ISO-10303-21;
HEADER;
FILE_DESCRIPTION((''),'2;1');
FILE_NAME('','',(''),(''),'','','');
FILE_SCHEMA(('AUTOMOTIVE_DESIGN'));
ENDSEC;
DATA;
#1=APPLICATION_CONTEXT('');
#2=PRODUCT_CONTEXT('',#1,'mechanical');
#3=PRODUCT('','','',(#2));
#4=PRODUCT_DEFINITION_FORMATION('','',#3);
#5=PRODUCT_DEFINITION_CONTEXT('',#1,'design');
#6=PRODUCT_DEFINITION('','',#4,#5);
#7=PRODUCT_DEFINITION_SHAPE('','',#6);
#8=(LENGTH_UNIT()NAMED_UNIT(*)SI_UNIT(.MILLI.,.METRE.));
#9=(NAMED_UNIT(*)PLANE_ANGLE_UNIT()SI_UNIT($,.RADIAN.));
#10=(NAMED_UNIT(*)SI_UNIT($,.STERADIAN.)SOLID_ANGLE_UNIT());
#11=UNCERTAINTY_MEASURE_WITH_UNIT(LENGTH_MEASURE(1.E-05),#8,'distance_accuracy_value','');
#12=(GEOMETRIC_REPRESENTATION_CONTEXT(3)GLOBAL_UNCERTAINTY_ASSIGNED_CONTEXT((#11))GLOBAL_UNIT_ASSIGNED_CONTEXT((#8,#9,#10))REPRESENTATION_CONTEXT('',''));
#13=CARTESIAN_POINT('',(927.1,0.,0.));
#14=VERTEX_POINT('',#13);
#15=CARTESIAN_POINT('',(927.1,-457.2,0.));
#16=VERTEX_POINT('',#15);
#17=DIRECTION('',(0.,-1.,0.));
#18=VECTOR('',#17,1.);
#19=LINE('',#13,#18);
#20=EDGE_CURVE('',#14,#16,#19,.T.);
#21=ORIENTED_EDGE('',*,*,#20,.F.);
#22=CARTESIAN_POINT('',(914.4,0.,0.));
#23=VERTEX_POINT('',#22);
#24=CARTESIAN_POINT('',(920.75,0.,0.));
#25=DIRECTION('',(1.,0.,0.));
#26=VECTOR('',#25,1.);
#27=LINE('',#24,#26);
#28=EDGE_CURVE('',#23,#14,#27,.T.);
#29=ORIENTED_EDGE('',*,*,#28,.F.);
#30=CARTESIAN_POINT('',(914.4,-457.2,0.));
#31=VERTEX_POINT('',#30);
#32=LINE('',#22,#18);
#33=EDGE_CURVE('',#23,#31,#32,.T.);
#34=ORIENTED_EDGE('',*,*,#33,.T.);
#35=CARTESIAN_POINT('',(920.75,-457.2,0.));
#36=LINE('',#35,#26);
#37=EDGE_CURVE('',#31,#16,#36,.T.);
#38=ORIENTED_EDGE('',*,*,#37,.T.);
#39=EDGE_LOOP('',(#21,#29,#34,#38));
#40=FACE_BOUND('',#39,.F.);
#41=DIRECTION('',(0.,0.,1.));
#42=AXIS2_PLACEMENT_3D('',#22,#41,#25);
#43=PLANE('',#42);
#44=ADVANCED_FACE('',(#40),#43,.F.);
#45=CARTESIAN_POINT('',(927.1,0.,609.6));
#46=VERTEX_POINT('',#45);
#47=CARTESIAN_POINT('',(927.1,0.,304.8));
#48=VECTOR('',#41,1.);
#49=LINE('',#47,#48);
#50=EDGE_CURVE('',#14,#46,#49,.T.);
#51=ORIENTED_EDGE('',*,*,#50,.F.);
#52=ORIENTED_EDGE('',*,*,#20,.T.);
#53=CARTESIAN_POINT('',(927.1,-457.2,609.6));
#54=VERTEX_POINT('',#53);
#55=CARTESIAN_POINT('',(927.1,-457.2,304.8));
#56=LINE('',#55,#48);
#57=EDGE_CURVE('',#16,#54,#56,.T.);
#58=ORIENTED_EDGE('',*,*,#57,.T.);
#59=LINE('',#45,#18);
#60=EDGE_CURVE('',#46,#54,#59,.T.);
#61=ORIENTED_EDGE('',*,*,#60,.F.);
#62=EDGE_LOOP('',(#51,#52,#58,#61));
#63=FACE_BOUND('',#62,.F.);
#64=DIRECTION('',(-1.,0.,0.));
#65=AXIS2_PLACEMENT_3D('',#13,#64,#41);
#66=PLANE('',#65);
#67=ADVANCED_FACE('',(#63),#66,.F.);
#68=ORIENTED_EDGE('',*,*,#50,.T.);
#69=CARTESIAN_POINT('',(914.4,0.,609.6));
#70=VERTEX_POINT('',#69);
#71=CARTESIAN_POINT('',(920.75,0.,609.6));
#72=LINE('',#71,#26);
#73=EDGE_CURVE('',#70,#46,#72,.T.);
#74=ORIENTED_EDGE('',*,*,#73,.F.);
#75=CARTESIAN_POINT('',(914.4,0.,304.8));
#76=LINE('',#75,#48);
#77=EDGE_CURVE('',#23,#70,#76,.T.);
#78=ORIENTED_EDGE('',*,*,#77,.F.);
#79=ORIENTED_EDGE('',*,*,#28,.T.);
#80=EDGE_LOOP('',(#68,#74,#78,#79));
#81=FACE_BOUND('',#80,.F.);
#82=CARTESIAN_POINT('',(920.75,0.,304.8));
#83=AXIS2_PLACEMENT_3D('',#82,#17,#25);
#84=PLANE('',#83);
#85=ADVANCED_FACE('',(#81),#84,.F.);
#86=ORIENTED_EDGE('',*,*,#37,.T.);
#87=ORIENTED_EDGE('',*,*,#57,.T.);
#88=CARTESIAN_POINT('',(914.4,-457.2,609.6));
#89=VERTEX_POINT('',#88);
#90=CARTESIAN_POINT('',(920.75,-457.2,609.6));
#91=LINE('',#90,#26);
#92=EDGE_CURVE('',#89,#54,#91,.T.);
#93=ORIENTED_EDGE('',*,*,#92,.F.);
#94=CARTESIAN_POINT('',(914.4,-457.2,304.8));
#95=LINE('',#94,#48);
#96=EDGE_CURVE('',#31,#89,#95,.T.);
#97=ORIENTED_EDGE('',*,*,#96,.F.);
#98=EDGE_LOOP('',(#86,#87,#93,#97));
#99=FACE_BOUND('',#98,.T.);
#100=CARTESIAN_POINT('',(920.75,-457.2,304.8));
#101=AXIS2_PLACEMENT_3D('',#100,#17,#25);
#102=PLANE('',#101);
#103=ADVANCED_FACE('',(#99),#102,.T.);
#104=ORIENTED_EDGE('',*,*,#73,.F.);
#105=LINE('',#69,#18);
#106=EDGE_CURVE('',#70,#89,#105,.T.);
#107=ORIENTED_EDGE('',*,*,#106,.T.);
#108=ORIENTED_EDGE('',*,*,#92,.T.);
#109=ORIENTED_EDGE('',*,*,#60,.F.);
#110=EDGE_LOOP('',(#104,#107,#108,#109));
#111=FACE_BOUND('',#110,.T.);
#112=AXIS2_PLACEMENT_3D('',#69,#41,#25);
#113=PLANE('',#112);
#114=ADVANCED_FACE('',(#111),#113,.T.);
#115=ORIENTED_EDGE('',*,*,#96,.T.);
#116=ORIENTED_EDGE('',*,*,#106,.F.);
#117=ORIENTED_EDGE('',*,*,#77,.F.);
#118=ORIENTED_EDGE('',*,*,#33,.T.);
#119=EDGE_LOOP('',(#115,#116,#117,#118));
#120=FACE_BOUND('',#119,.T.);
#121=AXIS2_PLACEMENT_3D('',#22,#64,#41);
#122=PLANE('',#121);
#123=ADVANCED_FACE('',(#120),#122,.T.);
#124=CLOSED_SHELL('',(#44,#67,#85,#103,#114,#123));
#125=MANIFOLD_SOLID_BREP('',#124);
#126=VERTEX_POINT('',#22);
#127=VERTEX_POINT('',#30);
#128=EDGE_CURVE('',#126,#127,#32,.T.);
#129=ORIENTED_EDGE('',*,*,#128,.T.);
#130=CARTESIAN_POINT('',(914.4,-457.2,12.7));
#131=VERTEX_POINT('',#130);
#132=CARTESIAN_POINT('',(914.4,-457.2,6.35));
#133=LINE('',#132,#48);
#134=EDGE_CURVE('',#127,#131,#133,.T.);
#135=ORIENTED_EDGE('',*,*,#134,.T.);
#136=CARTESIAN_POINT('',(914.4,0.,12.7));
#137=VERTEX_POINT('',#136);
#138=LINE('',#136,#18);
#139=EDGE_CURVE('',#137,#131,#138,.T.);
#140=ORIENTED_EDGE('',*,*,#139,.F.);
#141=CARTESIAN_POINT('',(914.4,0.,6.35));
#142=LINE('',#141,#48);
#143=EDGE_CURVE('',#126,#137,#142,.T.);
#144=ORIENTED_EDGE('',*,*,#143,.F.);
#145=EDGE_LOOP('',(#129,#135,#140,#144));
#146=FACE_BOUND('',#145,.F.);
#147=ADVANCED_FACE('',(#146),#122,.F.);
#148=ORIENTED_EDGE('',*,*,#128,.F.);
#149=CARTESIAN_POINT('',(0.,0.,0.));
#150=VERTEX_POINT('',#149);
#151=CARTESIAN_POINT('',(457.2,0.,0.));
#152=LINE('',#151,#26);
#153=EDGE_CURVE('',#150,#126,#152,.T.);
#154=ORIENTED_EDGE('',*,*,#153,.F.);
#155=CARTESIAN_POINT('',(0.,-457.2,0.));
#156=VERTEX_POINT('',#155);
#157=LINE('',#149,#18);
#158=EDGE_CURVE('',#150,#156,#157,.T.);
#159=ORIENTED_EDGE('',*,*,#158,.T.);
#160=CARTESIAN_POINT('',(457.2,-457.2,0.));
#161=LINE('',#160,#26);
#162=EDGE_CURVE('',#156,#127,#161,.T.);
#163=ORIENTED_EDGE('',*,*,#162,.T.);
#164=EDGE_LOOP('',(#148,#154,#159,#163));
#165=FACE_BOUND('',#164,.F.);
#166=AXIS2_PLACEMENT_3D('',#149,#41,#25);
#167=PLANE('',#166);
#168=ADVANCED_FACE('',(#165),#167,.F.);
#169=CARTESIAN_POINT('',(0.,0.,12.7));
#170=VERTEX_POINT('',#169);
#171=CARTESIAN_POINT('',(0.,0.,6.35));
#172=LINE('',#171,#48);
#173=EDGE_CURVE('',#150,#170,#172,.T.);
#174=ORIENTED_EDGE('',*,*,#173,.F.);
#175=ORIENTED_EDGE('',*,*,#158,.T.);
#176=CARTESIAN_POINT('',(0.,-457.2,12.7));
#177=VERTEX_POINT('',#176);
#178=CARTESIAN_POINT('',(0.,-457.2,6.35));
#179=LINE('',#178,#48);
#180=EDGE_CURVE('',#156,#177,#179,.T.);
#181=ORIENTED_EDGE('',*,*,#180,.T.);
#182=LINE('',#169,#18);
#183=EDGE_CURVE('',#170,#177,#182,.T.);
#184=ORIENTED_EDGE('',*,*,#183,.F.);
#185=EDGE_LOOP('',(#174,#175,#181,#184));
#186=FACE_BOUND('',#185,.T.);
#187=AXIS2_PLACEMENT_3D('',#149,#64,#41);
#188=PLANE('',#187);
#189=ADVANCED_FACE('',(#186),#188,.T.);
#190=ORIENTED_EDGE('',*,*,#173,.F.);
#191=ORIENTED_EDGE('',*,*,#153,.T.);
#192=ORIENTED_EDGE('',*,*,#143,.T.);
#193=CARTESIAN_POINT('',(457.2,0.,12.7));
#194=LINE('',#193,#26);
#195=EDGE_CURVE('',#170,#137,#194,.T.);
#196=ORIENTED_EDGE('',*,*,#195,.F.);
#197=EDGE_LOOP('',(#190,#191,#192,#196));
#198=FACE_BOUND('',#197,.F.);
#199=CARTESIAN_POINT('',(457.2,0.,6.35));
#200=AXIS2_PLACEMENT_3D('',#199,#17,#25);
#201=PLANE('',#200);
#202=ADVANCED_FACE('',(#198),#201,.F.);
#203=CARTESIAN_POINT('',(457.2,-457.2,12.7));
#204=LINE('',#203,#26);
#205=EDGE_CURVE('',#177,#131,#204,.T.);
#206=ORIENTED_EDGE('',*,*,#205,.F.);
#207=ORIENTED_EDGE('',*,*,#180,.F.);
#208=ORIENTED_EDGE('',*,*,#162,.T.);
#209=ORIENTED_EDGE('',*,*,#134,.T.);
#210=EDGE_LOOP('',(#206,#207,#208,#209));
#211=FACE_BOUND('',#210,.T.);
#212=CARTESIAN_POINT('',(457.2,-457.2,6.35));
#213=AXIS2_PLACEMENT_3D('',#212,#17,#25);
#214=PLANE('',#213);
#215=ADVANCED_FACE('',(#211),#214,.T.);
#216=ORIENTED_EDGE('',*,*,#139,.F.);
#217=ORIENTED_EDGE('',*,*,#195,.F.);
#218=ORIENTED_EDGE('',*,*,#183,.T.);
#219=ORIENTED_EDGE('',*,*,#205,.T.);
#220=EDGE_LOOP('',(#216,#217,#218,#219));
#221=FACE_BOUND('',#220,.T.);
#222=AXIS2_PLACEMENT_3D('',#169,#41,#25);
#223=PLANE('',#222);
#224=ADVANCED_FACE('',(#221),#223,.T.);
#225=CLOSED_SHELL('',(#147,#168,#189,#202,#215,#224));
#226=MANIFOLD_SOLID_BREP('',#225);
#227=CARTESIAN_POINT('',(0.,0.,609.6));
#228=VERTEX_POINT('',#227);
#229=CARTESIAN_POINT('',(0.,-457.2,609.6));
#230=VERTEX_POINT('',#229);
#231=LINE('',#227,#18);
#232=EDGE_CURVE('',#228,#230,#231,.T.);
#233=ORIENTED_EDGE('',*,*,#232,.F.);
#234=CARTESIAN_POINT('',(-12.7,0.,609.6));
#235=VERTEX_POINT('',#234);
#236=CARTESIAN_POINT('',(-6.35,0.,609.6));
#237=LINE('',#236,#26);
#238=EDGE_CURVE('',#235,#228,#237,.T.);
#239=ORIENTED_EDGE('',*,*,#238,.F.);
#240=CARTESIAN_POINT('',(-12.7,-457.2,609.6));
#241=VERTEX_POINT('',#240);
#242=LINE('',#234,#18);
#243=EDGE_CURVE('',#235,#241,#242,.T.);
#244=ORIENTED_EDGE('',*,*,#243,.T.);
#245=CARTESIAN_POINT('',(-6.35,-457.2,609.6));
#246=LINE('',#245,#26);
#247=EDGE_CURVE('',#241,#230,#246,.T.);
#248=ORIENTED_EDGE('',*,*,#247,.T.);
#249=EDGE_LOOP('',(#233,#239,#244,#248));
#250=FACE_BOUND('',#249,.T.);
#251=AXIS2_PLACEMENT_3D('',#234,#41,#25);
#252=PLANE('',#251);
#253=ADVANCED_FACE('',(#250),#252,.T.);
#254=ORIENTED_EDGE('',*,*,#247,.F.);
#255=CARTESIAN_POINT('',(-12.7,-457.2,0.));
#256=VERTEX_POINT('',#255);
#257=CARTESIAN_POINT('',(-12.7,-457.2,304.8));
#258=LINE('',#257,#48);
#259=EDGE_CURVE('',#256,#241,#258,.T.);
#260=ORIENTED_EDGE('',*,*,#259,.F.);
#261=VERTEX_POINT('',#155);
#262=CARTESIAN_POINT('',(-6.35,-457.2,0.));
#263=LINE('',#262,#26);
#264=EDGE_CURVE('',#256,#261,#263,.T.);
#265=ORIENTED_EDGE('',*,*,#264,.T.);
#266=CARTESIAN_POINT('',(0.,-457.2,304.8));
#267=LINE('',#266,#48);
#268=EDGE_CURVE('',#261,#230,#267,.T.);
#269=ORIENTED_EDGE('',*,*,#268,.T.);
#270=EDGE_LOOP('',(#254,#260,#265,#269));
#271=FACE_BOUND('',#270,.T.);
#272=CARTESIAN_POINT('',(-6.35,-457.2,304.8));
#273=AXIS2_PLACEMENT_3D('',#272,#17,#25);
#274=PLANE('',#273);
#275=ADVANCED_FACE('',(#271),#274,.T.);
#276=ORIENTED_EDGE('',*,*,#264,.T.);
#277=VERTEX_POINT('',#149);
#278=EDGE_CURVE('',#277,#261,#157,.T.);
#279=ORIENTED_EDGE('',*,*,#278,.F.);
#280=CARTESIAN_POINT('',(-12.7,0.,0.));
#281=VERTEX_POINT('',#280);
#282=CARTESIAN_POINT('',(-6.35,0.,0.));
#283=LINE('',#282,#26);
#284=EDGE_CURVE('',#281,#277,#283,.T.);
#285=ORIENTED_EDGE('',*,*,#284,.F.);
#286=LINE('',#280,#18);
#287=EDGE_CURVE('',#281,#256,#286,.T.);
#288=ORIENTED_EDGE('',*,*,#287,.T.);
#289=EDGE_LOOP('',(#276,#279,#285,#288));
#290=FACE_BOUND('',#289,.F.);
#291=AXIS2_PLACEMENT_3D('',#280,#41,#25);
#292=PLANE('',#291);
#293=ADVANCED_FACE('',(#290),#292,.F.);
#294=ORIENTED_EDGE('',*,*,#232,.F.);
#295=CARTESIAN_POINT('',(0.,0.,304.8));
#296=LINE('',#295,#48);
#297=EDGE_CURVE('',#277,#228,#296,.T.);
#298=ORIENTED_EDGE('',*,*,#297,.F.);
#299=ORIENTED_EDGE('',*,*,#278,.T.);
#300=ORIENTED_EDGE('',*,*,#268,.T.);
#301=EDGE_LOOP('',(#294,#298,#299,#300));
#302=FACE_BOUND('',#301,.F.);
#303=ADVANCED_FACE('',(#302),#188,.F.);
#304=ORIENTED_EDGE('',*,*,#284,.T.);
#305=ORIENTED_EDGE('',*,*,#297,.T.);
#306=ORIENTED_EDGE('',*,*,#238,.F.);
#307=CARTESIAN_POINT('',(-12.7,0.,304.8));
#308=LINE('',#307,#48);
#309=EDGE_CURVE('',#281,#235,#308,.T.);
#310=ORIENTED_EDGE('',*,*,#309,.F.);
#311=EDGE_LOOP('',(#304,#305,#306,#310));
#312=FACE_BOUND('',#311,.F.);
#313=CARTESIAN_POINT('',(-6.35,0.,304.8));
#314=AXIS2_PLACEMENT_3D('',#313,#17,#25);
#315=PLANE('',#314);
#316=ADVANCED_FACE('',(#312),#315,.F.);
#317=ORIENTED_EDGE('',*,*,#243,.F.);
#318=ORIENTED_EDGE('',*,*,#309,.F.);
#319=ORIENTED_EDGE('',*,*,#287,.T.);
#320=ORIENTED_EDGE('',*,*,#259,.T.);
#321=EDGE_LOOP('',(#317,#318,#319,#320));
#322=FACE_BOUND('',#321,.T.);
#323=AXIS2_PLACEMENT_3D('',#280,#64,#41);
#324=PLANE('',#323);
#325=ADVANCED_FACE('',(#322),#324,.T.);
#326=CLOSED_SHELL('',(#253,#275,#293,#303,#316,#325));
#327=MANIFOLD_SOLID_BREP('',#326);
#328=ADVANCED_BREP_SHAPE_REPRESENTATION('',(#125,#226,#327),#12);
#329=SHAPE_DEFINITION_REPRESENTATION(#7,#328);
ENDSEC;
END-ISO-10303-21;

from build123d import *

# Parameters (mm, degrees)
F0_W     = 914.4
F0_H     = 12.7
F1_DEPTH = 457.2
F2_W     = 12.7
F2_H     = 609.6
F3_DEPTH = 457.2


with BuildPart() as f1:
    # F0 (on Front) → F1 (new body)
    with BuildSketch(Plane.XZ):
        with Locations((457.2, 6.35)):
            Rectangle(F0_W, F0_H)
    extrude(amount=F1_DEPTH)


with BuildPart() as f3:
    # F2 (on Front) → F3 (new body)
    with BuildSketch(Plane.XZ):
        with Locations((-6.35, 304.8)):
            Rectangle(F2_W, F2_H)
        with Locations((920.75, 304.8)):
            Rectangle(F2_W, F2_H)
    extrude(amount=F3_DEPTH)


solid = Compound([f1.part, f3.part])
